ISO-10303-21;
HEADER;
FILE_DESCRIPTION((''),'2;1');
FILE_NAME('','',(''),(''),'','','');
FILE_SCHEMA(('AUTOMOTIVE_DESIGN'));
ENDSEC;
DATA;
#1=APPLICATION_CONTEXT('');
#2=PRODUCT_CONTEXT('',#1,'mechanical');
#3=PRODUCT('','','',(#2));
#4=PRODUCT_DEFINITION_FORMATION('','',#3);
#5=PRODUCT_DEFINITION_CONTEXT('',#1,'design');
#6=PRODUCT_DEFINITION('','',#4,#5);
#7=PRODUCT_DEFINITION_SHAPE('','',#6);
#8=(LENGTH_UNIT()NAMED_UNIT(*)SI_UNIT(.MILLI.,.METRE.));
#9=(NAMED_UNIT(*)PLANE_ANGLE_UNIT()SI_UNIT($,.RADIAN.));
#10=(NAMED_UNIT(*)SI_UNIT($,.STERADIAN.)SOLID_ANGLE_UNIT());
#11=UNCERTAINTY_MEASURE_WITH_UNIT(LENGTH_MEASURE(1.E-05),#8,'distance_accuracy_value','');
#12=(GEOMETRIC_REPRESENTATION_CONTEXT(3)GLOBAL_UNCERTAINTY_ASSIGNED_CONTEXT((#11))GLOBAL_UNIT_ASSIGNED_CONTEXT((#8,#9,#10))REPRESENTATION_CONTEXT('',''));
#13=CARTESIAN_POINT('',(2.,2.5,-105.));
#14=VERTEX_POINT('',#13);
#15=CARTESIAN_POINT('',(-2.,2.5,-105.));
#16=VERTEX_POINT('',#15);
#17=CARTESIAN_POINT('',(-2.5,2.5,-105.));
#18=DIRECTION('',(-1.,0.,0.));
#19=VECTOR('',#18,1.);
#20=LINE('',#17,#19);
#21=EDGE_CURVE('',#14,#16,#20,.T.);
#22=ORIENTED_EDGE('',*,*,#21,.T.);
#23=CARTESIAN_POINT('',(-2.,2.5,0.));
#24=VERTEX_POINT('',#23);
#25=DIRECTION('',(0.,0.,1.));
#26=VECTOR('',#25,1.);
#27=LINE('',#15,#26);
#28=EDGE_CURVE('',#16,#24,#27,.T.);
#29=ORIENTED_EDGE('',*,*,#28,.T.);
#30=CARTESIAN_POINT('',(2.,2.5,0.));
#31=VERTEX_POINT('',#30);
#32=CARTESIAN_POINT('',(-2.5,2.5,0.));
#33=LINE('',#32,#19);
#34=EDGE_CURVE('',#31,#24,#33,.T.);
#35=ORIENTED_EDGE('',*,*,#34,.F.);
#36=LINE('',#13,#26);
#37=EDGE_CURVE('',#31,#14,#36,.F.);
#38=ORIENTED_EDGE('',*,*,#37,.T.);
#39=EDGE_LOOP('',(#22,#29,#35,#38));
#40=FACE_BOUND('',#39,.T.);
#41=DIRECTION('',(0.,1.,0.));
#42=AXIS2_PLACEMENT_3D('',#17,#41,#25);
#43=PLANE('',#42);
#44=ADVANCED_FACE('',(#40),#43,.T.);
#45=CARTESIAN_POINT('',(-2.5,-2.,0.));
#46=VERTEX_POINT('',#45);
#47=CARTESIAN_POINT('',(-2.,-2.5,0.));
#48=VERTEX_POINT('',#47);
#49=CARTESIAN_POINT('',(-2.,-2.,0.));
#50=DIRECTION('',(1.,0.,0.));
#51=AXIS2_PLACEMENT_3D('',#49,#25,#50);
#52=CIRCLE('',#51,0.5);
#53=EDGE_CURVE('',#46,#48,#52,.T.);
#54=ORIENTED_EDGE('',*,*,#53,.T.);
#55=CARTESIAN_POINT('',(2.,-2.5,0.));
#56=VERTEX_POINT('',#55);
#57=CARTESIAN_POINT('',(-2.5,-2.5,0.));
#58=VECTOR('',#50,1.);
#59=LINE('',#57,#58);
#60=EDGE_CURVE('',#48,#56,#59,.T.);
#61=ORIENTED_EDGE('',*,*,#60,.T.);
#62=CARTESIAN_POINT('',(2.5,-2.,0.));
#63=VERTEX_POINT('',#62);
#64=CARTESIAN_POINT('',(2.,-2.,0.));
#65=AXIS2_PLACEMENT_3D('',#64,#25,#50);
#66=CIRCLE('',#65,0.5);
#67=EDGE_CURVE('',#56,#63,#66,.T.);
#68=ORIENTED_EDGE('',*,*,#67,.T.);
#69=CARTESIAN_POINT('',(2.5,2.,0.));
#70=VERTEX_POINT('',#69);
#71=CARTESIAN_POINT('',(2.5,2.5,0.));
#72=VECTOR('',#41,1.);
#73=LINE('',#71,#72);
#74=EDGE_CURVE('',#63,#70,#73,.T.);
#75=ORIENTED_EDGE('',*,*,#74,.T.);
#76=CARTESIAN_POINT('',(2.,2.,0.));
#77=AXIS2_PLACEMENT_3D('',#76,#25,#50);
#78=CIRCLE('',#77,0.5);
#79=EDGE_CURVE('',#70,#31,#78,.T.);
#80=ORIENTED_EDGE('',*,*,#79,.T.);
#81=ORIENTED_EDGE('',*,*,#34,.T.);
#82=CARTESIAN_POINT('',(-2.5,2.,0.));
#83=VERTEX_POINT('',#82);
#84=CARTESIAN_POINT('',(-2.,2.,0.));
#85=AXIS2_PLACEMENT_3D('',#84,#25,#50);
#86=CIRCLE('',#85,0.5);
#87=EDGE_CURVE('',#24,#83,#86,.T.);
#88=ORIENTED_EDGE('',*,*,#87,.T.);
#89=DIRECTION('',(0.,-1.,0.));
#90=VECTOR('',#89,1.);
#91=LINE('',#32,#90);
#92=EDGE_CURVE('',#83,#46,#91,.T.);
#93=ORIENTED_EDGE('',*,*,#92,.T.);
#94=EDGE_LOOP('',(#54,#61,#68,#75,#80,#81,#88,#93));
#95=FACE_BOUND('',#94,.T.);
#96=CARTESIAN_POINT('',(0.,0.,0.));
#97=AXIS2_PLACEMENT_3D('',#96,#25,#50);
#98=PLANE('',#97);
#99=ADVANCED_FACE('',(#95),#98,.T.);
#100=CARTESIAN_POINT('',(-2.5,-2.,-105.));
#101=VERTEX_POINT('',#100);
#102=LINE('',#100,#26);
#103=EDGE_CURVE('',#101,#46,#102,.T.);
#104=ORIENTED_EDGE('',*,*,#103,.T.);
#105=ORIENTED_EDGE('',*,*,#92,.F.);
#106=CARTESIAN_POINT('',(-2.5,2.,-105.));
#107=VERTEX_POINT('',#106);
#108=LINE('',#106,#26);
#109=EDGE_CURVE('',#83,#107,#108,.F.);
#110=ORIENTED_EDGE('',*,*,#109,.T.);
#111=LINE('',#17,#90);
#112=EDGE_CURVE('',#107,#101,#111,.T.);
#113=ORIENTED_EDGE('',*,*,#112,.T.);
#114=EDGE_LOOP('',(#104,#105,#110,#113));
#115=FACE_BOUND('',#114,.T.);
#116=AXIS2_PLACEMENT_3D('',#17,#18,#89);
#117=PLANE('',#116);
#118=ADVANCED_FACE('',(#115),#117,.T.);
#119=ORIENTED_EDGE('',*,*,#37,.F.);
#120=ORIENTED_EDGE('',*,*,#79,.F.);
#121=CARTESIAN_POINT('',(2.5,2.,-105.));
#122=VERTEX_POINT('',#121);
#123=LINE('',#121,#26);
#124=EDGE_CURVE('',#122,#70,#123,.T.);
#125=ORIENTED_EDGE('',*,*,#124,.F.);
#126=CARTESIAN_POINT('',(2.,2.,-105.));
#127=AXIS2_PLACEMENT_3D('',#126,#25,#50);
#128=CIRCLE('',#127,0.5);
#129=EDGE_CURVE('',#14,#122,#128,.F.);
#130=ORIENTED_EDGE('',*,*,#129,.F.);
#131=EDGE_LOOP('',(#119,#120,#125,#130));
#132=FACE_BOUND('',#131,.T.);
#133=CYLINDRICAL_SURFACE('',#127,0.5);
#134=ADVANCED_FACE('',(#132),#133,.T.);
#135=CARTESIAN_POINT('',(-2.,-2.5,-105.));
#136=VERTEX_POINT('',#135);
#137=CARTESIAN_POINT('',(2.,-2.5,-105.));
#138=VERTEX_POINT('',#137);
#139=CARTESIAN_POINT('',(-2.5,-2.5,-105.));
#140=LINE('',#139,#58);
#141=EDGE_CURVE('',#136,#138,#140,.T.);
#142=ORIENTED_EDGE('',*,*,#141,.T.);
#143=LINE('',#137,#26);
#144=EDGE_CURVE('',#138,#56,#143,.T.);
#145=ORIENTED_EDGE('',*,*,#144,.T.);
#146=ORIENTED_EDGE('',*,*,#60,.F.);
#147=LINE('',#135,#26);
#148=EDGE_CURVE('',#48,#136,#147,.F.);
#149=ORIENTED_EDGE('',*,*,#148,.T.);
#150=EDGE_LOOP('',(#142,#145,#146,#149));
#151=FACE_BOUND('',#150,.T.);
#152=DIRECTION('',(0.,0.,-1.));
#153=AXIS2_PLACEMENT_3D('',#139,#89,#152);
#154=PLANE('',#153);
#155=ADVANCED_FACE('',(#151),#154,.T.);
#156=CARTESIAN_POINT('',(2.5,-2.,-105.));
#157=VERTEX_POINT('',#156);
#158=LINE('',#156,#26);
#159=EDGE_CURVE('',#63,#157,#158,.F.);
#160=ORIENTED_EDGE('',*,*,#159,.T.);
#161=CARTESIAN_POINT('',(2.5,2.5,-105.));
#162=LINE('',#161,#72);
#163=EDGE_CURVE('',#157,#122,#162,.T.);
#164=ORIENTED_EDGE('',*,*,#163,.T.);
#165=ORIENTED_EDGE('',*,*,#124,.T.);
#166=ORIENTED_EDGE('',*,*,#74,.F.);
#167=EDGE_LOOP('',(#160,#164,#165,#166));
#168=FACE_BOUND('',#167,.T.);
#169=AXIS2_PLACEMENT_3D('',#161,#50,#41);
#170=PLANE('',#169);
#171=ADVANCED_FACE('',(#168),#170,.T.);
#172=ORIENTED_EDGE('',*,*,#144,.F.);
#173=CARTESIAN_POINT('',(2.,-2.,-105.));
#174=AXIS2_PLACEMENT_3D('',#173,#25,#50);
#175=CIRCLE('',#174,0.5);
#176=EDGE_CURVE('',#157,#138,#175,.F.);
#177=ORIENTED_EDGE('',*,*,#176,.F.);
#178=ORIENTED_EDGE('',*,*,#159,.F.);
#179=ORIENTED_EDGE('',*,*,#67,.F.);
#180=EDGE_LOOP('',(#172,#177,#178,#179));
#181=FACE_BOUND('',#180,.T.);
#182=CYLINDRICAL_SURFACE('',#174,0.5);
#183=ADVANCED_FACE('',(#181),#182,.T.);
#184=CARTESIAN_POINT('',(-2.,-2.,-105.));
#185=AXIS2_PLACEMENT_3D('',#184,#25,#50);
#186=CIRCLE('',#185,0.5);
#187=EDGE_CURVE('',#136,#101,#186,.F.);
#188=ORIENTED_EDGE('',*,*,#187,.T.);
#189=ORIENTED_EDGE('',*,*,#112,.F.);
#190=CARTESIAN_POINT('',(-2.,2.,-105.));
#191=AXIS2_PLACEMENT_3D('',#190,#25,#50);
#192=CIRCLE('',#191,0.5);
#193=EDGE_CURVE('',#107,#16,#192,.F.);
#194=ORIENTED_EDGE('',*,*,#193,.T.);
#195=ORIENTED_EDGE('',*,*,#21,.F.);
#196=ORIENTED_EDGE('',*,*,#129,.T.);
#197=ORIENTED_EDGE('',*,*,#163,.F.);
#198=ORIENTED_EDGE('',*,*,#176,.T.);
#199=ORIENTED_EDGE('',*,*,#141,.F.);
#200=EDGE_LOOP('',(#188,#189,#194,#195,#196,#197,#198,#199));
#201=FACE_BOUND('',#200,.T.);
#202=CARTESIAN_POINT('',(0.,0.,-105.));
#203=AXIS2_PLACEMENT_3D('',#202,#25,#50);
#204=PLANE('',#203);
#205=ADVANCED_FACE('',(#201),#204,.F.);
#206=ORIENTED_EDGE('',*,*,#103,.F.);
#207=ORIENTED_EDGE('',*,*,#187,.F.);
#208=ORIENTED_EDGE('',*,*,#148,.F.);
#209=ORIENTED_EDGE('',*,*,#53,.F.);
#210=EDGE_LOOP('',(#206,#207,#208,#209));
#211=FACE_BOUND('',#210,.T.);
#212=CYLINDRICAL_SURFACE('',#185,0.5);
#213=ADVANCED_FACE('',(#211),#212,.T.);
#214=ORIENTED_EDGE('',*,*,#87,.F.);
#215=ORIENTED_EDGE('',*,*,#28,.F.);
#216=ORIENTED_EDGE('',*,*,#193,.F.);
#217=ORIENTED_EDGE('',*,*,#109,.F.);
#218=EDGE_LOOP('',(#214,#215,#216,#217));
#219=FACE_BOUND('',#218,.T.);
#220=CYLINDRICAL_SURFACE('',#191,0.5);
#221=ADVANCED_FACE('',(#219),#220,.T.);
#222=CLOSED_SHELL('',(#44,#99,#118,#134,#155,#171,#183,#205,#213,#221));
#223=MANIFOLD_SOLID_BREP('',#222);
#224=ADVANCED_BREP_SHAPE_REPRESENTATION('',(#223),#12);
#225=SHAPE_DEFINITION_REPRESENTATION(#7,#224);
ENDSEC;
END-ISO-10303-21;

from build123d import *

# Parameters (mm, degrees)
SKETCH1_W           = 5
SKETCH1_H           = 5
BOSS_EXTRUDE1_DEPTH = 105
FILLET1_R           = 0.5


with BuildPart() as part:
    # Sketch1 → Boss-Extrude1 (new body)
    with BuildSketch(Plane.XY):
        Rectangle(SKETCH1_W, SKETCH1_H)
    extrude(amount=-BOSS_EXTRUDE1_DEPTH)

    # Fillet1
    fillet1_edges = [part.edges().sort_by_distance(p)[0] for p in [
        (2.5, -2.5, -52.5),
        (-2.5, -2.5, -52.5),
        (-2.5, 2.5, -52.5),
        (2.5, 2.5, -52.5),
    ]]
    fillet(fillet1_edges, radius=FILLET1_R)


solid = part.part
